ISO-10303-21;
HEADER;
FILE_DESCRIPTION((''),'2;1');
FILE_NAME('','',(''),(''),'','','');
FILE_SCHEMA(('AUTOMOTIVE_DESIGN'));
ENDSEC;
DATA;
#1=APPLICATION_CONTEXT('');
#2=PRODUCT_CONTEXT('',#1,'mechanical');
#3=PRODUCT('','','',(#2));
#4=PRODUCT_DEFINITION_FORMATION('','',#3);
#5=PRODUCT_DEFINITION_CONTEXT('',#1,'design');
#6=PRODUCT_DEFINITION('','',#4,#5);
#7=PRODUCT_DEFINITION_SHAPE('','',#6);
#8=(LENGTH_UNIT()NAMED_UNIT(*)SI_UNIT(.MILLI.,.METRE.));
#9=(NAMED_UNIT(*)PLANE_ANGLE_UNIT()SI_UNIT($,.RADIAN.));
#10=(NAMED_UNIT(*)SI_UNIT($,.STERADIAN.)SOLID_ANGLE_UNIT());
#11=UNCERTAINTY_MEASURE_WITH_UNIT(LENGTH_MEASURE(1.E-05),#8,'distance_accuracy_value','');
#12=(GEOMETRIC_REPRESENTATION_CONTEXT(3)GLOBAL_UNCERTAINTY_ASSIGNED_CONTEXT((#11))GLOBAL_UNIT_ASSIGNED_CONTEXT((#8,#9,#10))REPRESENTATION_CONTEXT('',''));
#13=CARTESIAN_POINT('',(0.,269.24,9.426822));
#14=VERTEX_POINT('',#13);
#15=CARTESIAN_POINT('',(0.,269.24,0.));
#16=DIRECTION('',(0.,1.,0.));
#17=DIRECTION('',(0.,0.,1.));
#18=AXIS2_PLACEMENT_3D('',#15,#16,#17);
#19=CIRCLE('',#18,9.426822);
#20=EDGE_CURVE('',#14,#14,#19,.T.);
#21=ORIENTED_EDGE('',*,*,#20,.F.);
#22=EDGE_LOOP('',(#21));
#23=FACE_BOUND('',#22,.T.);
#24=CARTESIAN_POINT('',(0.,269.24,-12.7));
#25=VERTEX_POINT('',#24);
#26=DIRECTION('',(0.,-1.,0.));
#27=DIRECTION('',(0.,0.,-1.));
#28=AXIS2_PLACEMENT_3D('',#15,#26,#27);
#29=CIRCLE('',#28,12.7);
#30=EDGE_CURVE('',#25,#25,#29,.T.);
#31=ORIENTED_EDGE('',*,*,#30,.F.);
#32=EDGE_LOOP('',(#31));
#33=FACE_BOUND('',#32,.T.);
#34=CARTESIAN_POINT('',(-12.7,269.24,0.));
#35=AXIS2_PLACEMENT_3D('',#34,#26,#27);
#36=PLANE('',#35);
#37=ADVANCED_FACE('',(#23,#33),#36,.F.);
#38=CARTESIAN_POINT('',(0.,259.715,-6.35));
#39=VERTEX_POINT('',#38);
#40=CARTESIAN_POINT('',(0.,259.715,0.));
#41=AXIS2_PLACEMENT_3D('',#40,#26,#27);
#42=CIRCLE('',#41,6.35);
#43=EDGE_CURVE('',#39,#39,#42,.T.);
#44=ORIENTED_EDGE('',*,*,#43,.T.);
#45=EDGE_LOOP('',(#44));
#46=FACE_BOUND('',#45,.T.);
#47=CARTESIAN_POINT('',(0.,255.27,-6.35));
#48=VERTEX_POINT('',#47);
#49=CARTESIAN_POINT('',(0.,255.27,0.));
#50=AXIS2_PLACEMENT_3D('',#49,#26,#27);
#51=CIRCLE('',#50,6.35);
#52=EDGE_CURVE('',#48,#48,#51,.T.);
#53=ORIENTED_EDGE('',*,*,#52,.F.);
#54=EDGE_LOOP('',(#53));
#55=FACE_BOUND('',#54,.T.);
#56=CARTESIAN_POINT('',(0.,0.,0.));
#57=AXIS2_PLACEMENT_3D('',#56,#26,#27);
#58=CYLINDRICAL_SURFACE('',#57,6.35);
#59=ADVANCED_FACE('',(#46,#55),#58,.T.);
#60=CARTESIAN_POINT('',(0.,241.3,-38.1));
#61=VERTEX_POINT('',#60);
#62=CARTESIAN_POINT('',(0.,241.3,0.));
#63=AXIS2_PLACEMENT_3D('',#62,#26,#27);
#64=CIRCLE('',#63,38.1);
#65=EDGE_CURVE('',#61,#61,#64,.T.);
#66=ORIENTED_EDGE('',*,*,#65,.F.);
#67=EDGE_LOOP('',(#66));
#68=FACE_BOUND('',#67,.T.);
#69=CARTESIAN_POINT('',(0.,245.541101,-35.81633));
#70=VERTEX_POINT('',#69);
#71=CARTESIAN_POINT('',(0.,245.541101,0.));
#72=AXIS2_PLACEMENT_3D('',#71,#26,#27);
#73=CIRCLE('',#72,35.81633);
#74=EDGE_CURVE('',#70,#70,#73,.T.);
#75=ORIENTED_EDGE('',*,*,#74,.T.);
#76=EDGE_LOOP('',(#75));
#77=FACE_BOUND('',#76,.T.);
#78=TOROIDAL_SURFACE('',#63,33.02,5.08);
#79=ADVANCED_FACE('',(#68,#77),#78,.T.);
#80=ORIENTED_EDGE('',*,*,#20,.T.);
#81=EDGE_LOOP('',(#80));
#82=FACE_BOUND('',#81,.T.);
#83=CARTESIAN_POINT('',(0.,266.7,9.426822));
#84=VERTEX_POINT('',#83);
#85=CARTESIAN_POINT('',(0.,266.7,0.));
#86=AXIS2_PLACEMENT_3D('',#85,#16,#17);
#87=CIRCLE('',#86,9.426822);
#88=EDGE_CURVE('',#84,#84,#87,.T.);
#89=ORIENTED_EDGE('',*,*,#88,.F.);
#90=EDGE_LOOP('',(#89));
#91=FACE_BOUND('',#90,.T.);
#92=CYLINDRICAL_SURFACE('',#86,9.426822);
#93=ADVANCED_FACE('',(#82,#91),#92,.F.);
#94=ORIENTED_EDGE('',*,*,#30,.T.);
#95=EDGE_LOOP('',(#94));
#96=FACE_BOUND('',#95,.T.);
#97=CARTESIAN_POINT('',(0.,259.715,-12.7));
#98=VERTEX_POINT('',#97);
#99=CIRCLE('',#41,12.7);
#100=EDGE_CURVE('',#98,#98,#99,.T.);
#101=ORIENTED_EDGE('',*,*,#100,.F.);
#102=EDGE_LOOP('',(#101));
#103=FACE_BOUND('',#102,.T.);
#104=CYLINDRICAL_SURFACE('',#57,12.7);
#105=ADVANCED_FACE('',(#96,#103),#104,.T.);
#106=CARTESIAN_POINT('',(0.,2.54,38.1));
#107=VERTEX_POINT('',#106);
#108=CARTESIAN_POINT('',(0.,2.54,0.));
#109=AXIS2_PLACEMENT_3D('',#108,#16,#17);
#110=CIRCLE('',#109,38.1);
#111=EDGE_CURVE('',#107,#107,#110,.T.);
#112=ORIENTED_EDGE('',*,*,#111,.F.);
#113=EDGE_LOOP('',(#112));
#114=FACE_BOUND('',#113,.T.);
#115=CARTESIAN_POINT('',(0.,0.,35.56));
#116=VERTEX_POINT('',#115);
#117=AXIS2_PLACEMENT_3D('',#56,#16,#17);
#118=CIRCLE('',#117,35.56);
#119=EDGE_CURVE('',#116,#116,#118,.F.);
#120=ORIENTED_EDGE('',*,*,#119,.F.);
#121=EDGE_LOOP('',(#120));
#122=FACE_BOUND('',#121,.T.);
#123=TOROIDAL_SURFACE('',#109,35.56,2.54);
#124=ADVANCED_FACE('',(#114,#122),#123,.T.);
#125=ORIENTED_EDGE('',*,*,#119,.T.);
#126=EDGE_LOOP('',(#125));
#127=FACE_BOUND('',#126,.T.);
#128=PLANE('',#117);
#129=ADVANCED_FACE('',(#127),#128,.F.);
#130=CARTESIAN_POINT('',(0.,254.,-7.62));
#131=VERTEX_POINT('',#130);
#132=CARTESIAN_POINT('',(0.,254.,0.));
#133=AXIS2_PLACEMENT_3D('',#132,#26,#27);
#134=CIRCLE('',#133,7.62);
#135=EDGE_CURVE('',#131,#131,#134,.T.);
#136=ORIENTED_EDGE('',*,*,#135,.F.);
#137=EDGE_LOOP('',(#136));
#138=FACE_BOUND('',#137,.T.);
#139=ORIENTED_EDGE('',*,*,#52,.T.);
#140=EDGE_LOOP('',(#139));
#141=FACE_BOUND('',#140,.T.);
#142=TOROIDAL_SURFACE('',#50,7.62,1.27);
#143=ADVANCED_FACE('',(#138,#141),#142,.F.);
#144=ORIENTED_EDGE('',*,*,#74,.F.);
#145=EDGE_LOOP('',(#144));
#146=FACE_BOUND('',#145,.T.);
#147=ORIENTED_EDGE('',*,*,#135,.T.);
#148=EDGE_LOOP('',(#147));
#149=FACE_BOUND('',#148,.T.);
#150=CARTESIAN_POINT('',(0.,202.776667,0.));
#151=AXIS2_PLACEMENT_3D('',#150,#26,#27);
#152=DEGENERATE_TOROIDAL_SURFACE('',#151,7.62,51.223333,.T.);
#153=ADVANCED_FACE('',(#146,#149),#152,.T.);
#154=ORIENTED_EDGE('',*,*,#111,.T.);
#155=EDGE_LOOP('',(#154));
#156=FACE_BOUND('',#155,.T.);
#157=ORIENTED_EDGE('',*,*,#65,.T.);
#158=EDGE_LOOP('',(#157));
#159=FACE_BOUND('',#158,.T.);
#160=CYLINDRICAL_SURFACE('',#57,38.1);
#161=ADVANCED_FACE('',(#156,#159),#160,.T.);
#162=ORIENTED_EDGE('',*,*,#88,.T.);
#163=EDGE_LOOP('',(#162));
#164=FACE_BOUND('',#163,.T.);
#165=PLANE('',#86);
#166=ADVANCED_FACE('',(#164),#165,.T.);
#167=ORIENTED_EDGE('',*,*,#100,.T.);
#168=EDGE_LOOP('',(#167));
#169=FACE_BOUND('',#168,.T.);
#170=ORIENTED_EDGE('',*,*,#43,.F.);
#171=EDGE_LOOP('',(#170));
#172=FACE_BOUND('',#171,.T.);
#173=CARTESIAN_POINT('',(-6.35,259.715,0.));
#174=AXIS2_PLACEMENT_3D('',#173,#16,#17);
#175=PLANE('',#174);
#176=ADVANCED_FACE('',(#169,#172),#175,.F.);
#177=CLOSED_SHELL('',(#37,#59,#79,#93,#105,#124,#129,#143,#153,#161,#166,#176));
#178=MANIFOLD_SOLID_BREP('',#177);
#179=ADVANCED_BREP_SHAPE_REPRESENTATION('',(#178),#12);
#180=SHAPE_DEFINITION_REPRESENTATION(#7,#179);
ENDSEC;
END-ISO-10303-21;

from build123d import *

# Parameters (mm, degrees)
FILLET1_R          = 2.54
SKETCH2_R          = 9.426821905
CUT_EXTRUDE1_DEPTH = 2.54


with BuildPart() as part:
    # Sketch1 → Revolve1 (revolve)
    with BuildSketch(Plane.XY):
        with BuildLine():
            Line((0, 0), (-38.1, 0))
            Line((-38.1, 0), (-38.1, 241.3))
            ThreePointArc((-38.1, 241.3), (-37.492793188, 243.708427101), (-35.816330275, 245.541100917))
            ThreePointArc((-35.816330275, 245.541100917), (-22.338916525, 251.83972175), (-7.62, 254))
            ThreePointArc((-7.62, 254), (-6.721974388, 254.371974388), (-6.35, 255.27))
            Line((-6.35, 255.27), (-6.35, 259.715))
            Line((-6.35, 259.715), (-12.7, 259.715))
            Line((-12.7, 259.715), (-12.7, 269.24))
            Line((-12.7, 269.24), (0, 269.24))
            Line((0, 269.24), (0, 0))
        make_face()
    revolve(axis=Axis((0, 0, 0), (0, 1, 0)))

    # Fillet1
    fillet1_edges = [part.edges().sort_by_distance(p)[0] for p in [
        (38.1, 0, 0),
    ]]
    fillet(fillet1_edges, radius=FILLET1_R)

    # Sketch2 → Cut-Extrude1 (cut)
    with BuildSketch(Plane(origin=(0, 269.24, 0), x_dir=(1, 0, 0), z_dir=(0, 1, 0))):
        Circle(SKETCH2_R)
    extrude(amount=-CUT_EXTRUDE1_DEPTH, mode=Mode.SUBTRACT)


solid = part.part
